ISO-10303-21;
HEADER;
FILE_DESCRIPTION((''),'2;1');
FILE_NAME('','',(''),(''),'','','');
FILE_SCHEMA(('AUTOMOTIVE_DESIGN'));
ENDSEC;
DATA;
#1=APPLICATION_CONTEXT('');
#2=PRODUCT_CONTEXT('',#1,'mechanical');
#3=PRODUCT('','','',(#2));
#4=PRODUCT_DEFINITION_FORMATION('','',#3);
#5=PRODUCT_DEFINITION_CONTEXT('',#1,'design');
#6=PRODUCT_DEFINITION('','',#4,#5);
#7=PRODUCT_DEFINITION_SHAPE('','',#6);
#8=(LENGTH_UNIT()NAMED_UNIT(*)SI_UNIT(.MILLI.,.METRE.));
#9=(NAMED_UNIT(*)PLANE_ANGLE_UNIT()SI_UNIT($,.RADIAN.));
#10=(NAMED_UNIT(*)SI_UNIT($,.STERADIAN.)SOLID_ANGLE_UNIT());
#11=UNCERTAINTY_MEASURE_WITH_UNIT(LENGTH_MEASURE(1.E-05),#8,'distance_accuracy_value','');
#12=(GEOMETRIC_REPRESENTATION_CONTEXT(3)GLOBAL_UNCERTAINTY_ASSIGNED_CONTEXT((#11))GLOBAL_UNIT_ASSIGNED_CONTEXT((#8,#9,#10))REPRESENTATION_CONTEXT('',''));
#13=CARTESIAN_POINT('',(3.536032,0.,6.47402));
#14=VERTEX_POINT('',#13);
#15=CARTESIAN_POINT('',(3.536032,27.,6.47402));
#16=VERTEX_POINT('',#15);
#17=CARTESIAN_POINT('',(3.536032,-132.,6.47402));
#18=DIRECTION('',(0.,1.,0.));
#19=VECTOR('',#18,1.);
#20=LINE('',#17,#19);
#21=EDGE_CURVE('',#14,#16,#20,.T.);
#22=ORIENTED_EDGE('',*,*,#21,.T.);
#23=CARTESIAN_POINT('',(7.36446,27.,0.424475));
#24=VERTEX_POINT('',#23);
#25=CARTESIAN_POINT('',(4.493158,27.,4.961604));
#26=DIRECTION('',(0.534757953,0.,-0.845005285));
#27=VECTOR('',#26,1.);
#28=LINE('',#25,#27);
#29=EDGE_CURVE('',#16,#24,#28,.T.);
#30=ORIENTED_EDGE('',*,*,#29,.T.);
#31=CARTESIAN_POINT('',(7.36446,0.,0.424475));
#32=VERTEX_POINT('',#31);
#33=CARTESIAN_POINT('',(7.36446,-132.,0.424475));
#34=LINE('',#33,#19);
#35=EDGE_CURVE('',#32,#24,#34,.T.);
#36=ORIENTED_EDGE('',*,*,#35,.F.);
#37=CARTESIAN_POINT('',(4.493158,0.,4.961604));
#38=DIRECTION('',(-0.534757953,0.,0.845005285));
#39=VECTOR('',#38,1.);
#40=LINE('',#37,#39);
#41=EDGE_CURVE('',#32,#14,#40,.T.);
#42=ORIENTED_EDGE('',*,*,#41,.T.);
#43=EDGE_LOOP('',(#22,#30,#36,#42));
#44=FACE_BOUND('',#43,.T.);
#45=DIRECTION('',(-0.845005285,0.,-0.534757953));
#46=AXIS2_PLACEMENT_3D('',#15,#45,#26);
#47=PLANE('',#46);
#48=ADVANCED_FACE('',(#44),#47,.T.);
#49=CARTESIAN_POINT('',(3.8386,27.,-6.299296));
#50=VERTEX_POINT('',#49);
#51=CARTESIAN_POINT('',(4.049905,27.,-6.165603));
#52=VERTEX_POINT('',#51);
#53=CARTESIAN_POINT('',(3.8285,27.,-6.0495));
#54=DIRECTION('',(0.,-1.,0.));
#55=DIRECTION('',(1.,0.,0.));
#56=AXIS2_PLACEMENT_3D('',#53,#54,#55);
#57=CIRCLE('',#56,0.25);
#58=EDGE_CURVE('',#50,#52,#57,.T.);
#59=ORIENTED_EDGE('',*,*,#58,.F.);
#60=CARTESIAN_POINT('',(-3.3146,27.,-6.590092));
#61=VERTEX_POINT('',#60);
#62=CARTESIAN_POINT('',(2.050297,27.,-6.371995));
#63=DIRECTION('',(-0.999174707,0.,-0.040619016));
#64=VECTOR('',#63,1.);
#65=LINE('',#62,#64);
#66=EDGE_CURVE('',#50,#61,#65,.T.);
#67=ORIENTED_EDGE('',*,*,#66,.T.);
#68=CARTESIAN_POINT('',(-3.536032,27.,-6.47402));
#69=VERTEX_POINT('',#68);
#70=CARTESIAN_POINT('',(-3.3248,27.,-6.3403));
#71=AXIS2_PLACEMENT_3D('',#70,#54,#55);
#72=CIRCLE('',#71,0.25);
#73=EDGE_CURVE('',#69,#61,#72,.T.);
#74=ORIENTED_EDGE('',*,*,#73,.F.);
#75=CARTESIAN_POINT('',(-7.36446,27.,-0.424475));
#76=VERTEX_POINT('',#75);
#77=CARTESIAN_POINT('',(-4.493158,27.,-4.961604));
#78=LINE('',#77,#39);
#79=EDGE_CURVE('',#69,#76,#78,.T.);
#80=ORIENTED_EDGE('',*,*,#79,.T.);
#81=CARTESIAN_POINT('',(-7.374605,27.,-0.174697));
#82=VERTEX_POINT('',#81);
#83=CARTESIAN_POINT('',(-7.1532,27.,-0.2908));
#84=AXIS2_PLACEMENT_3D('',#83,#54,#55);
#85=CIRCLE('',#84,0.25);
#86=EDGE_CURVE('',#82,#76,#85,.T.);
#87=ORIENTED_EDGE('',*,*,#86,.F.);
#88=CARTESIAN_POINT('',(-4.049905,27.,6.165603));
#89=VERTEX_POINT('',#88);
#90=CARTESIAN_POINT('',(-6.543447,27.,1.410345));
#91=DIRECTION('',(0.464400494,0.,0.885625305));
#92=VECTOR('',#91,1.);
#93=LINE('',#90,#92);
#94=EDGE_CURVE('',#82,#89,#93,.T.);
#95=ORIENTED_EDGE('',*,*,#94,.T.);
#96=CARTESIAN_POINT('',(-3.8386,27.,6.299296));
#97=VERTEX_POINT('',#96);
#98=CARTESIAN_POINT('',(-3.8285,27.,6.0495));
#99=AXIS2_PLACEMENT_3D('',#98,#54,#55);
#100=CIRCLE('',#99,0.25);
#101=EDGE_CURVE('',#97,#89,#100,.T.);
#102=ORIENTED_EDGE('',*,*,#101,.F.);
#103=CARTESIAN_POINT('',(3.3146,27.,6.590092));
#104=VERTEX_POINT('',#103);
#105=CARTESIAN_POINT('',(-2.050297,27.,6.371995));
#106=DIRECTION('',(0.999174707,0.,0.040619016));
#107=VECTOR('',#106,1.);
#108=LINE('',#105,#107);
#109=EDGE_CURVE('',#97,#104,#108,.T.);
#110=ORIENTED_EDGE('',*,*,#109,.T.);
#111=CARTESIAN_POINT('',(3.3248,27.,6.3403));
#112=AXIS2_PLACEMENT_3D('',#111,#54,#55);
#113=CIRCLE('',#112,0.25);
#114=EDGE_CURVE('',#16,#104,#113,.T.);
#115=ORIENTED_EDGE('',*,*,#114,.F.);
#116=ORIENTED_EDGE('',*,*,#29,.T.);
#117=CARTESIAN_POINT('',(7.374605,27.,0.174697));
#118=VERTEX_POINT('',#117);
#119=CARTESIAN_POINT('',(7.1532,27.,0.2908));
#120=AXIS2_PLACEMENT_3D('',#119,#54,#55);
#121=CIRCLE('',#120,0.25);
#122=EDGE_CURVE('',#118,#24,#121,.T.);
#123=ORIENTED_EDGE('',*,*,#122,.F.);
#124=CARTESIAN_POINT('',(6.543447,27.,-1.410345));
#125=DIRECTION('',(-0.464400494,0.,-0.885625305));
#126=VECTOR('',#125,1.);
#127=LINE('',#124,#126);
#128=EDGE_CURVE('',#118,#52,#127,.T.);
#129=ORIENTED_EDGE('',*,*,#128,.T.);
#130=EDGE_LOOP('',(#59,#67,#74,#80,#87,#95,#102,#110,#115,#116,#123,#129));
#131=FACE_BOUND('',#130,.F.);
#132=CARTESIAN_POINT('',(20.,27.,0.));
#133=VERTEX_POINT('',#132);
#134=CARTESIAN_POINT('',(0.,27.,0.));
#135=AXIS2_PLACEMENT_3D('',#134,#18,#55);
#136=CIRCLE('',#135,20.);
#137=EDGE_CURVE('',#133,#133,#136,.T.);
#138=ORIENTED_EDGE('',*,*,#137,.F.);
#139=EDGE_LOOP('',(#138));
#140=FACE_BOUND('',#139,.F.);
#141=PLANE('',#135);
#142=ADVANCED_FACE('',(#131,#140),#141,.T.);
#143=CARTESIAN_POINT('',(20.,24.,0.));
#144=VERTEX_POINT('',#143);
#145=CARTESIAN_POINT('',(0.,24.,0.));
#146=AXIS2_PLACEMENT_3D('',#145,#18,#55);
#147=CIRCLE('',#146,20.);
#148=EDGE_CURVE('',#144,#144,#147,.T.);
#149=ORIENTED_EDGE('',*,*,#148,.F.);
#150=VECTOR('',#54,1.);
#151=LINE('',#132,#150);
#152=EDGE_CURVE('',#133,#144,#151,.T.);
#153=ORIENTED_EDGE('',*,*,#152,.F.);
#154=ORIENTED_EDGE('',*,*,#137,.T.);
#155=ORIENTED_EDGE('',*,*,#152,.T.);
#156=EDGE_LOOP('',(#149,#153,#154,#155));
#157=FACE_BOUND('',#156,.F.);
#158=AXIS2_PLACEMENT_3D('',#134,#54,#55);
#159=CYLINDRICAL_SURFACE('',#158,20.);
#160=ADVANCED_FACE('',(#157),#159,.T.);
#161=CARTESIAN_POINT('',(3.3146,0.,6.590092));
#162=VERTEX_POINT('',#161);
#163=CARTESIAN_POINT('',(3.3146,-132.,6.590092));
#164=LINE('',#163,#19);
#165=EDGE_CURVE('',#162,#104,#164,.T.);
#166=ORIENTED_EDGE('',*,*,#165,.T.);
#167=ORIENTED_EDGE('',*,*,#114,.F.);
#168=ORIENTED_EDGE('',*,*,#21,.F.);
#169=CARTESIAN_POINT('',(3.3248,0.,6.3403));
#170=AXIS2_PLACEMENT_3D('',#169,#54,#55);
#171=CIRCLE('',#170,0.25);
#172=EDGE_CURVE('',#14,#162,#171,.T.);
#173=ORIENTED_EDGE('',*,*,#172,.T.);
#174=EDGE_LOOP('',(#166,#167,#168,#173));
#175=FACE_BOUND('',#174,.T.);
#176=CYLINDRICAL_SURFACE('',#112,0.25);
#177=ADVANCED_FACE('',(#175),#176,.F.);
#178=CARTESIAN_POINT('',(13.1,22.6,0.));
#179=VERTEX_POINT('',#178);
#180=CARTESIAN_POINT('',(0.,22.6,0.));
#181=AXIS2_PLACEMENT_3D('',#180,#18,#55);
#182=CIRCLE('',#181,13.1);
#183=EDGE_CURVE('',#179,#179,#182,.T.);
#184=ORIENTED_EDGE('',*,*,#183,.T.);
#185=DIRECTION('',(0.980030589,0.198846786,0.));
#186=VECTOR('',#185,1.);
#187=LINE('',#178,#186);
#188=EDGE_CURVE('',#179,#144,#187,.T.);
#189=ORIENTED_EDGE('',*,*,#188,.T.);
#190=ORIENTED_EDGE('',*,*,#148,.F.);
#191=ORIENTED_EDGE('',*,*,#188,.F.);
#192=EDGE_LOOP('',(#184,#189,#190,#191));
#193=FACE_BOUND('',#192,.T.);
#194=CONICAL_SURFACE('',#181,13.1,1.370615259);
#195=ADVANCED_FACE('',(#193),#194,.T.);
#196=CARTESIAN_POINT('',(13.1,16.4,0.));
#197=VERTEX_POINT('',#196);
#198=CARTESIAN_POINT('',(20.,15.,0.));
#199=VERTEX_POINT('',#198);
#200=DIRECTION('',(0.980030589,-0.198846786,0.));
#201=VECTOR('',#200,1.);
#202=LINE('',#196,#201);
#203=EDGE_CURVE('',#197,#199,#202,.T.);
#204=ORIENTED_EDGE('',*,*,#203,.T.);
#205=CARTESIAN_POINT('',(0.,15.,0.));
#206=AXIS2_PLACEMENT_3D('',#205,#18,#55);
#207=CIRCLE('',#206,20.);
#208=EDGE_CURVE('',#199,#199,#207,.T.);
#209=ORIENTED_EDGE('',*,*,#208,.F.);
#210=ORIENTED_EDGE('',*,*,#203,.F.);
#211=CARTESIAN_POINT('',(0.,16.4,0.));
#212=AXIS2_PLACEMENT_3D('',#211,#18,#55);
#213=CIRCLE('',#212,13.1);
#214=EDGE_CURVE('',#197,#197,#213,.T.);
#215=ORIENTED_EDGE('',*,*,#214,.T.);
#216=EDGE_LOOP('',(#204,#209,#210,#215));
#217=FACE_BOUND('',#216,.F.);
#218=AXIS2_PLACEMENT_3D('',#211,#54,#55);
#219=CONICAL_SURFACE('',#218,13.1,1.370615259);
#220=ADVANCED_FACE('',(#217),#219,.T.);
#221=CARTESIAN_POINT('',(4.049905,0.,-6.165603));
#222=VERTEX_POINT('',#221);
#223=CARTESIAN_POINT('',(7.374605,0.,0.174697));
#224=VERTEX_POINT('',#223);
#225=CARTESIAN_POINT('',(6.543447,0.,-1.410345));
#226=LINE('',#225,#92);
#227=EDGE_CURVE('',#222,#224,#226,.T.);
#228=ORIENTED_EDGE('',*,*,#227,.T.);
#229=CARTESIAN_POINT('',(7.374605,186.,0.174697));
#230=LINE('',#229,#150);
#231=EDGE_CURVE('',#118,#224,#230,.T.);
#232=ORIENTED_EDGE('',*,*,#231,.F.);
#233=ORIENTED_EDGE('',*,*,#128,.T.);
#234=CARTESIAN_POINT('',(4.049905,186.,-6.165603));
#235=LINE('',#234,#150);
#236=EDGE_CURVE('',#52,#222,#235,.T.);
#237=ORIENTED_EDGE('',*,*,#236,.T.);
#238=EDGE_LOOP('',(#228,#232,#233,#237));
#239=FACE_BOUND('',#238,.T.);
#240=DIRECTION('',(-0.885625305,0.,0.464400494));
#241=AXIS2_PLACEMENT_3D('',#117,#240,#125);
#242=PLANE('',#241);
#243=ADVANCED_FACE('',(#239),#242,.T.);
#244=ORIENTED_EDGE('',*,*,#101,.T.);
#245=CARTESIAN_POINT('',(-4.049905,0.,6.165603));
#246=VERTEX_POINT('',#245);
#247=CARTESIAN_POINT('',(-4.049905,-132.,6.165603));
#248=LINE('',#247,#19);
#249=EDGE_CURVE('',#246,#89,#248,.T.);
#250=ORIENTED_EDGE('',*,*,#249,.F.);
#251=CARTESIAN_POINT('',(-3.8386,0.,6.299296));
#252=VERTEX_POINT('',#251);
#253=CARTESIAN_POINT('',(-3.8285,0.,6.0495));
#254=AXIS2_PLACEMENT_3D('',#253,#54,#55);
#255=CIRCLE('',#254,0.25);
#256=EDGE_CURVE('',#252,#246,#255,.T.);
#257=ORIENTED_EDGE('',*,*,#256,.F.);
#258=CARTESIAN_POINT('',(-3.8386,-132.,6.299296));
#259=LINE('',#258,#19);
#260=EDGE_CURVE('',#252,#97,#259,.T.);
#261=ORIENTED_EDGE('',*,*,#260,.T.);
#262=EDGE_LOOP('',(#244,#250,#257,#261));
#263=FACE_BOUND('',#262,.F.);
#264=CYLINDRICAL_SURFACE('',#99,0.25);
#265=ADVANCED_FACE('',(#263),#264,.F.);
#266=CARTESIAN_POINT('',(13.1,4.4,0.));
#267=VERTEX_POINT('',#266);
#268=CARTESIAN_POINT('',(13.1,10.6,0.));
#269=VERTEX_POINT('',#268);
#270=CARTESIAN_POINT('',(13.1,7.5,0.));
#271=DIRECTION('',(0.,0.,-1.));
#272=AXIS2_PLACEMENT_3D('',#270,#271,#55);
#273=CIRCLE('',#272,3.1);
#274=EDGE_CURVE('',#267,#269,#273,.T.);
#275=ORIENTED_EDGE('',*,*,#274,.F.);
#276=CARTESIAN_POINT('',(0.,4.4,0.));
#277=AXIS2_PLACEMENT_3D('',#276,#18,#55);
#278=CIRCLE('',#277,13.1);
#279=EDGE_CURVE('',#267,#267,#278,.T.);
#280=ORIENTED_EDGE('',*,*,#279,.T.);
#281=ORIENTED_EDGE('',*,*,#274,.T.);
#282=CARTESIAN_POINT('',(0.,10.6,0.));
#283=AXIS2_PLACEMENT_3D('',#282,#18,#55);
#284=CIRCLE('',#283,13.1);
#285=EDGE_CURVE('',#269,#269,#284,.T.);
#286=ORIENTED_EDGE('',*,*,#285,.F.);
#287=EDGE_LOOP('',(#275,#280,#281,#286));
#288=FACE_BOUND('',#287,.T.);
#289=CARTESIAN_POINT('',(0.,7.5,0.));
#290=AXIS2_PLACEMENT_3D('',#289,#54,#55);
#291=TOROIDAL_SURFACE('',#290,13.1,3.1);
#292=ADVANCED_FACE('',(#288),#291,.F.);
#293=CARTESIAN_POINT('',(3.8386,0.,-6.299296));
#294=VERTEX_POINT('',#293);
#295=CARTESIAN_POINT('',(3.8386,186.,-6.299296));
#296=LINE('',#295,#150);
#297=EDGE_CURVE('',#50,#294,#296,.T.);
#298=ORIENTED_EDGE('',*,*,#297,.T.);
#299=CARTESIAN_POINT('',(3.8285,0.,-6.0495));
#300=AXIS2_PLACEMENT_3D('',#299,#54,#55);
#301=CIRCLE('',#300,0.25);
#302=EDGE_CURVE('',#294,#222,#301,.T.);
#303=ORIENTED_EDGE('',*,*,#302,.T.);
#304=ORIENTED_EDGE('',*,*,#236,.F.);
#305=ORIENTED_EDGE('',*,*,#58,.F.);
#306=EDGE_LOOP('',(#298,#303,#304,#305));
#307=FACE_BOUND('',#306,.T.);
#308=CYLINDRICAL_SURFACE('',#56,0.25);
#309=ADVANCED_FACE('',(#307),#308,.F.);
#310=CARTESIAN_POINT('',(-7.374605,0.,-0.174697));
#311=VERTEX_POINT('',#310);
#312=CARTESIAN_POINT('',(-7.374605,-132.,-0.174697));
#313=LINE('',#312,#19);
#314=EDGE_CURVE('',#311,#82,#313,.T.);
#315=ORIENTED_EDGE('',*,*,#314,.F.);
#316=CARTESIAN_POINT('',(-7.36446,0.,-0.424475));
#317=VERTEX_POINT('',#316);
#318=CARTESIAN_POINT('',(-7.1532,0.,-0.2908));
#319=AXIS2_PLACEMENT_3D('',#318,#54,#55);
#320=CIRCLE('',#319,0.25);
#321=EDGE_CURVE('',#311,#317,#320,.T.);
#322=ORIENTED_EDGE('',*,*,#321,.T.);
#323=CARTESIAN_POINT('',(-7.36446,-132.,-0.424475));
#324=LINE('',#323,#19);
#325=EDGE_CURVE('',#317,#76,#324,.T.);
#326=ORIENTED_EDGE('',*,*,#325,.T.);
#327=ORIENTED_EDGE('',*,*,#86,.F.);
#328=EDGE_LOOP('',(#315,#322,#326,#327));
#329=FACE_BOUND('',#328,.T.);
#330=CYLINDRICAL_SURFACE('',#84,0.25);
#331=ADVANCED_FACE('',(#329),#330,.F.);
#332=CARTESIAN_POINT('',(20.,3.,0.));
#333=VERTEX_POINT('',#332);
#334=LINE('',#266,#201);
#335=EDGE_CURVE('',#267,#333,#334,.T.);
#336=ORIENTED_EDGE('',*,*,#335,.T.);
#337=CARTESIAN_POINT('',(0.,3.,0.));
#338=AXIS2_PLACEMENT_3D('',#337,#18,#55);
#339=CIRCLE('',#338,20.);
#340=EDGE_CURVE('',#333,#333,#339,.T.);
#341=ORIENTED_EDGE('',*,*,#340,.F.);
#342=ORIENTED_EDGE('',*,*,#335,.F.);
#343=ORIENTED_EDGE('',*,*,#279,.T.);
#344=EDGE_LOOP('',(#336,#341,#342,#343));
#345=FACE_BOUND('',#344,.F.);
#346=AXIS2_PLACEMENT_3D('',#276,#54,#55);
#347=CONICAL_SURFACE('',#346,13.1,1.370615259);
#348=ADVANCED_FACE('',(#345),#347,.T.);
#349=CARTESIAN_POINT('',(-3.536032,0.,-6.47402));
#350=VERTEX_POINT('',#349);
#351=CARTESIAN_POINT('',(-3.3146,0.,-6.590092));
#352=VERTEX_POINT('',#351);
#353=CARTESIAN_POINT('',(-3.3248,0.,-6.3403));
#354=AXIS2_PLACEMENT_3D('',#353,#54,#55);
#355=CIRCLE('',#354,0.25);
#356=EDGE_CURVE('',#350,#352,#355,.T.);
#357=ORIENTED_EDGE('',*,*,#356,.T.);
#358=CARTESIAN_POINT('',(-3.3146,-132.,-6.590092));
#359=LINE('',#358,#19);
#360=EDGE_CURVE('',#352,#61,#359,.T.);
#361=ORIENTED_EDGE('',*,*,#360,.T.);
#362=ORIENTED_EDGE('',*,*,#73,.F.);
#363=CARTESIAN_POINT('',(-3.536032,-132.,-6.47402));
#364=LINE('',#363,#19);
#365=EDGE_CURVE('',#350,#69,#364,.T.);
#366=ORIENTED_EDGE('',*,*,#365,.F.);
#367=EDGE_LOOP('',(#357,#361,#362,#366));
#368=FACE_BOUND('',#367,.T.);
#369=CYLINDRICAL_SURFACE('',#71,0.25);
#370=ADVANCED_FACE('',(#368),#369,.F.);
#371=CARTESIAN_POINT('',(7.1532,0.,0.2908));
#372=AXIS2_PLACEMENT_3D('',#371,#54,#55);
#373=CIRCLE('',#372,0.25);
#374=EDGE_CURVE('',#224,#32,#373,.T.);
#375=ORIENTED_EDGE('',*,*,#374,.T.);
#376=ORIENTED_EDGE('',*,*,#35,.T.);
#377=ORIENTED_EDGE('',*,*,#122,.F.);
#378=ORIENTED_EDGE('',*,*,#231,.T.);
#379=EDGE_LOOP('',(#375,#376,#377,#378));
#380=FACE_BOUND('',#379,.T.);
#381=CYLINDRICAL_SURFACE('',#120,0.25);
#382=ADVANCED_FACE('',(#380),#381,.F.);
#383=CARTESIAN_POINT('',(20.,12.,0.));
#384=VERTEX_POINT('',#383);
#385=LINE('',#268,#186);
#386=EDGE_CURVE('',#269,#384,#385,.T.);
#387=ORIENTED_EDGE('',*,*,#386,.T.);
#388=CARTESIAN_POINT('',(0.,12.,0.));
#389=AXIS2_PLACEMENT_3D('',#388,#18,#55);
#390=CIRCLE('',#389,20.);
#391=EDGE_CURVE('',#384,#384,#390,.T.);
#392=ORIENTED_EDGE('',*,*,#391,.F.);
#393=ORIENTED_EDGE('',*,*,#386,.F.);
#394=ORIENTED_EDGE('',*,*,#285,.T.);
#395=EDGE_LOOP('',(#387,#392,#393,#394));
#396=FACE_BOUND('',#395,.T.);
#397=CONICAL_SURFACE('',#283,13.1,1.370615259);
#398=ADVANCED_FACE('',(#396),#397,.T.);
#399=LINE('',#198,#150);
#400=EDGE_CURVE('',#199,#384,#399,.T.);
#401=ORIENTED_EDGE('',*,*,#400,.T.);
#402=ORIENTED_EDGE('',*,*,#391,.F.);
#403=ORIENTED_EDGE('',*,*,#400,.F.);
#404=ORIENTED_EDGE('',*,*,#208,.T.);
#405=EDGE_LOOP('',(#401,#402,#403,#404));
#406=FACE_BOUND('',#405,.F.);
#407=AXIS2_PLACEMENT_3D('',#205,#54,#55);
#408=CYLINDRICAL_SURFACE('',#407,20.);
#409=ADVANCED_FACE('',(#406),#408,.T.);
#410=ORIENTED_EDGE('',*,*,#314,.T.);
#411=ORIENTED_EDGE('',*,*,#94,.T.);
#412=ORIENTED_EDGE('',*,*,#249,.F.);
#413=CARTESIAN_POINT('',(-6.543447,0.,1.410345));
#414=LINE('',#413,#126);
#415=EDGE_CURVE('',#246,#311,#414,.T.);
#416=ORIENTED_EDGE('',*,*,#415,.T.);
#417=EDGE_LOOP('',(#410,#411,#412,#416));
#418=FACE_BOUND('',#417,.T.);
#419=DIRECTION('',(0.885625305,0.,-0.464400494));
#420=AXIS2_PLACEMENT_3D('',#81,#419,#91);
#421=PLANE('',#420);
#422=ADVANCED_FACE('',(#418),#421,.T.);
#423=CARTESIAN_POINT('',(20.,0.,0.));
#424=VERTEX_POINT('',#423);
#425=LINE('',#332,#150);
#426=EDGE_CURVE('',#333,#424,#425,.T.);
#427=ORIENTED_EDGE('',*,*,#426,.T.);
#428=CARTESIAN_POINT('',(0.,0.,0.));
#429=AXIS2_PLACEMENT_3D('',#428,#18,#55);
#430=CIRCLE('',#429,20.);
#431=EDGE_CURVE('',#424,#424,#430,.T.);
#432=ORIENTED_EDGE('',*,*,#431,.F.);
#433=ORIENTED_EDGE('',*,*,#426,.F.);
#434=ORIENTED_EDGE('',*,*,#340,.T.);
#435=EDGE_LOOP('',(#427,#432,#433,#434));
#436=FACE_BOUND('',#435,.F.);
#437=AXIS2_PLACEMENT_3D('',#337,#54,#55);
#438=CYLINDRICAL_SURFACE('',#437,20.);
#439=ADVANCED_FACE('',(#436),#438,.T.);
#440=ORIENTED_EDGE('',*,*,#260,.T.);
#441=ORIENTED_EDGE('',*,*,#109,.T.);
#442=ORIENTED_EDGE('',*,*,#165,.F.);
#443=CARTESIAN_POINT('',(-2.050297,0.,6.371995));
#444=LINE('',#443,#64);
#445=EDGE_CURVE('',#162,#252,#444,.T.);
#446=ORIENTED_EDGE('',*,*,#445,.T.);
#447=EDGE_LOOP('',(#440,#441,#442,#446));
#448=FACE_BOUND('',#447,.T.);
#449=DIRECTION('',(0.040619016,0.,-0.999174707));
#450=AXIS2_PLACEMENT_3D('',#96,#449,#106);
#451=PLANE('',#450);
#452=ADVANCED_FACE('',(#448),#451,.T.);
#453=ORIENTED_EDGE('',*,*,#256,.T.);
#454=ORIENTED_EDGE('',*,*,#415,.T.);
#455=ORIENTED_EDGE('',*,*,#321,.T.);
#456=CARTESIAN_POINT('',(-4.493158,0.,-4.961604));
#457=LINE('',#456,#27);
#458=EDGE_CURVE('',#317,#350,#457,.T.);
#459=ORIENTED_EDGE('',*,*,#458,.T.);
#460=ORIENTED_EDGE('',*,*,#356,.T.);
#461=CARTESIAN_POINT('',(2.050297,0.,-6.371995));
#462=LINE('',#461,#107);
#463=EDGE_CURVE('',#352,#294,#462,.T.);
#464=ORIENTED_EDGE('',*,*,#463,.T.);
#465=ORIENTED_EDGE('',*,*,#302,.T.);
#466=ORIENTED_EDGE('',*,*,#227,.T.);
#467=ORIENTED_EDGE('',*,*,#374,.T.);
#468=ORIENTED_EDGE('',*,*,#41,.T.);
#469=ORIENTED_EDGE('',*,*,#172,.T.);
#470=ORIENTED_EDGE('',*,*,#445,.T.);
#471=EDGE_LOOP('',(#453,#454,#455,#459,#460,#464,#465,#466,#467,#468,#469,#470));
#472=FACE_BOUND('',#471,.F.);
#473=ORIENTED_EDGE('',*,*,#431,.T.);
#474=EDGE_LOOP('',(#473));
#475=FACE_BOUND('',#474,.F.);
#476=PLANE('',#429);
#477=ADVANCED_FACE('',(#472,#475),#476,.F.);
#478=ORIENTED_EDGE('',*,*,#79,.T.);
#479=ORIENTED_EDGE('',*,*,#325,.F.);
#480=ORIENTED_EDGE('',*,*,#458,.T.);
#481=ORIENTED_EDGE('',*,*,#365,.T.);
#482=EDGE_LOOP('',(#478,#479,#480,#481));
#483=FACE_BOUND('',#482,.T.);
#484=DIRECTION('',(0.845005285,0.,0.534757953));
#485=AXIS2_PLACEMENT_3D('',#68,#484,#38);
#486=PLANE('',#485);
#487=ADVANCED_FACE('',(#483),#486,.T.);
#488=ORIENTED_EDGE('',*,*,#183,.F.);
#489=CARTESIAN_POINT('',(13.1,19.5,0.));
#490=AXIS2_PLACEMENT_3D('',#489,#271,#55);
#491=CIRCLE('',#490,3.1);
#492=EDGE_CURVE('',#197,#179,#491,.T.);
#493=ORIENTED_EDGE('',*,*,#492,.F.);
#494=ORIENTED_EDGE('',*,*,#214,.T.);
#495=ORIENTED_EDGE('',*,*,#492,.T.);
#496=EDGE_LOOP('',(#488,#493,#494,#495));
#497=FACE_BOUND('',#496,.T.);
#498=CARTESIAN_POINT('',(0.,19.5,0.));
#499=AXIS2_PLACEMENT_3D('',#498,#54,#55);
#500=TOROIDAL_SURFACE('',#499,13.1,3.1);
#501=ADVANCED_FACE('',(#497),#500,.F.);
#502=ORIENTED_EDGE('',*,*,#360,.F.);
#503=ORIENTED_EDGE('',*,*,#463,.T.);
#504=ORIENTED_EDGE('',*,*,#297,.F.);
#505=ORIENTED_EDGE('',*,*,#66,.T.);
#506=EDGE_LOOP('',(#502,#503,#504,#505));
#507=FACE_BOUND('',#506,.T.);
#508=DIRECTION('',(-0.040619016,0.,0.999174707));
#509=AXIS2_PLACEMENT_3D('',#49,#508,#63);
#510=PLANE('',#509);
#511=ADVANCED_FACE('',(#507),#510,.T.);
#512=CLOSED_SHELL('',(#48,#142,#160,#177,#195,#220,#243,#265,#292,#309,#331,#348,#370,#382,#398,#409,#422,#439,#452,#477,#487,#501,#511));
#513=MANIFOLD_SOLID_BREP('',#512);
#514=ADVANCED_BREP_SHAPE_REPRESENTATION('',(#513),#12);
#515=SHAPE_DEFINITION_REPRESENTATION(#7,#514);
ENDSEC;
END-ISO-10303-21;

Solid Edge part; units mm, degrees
sketch "Sketch1" plane through (0, 0, 0) normal (0, 0, 1) x (1, 0, 0)
  line L0 (0, 27) -> (20, 27)
  line L1 (20, 27) -> (20, 24)
  line L2 (13.1, 22.6) -> (20, 24)
  line L3 (13.1, 16.4) -> (20, 15)
  line L4 (20, 15) -> (20, 12)
  line L5 (13.1, 10.6) -> (20, 12)
  line L6 (13.1, 4.4) -> (20, 3)
  line L7 (20, 3) -> (20, 0)
  line L8 (20, 0) -> (0, 0)
  line L9 (0, 0) -> (0, 27)
  arc A0 (13.1, 16.4) -> (13.1, 22.6) centre (13.1, 19.5) cw
  arc A1 (13.1, 4.4) -> (13.1, 10.6) centre (13.1, 7.5) cw
revolve "RevolvedProtrusion1" add sketch "Sketch1" angle 360 about axis through (0, 0, 0) along (0, 1, 0)
sketch "Sketch2" plane through (0, 27, 0) normal (0, 1, 0) x (1, 0, 0)
  line L0 (3.8386, 6.2993) -> (-3.3146, 6.5901)
  arc A0 (-3.3146, 6.5901) -> (-3.536, 6.474) centre (-3.3248, 6.3403) ccw
  line L1 (-3.536, 6.474) -> (-7.3645, 0.4245)
  arc A1 (-7.3645, 0.4245) -> (-7.3746, 0.1747) centre (-7.1532, 0.2908) ccw
  line L2 (-7.3746, 0.1747) -> (-4.0499, -6.1656)
  arc A2 (-3.8386, -6.2993) -> (-4.0499, -6.1656) centre (-3.8285, -6.0495) cw
  line L3 (-3.8386, -6.2993) -> (3.3146, -6.5901)
  arc A3 (3.3146, -6.5901) -> (3.536, -6.474) centre (3.3248, -6.3403) ccw
  line L4 (3.536, -6.474) -> (7.3645, -0.4245)
  arc A4 (7.3645, -0.4245) -> (7.3746, -0.1747) centre (7.1532, -0.2908) ccw
  line L5 (7.3746, -0.1747) -> (4.0499, 6.1656)
  arc A5 (4.0499, 6.1656) -> (3.8386, 6.2993) centre (3.8285, 6.0495) ccw
extrude "Cutout1" cut sketch "Sketch2" along normal through all and the other way through all
properties part number "BumbleB0507"
